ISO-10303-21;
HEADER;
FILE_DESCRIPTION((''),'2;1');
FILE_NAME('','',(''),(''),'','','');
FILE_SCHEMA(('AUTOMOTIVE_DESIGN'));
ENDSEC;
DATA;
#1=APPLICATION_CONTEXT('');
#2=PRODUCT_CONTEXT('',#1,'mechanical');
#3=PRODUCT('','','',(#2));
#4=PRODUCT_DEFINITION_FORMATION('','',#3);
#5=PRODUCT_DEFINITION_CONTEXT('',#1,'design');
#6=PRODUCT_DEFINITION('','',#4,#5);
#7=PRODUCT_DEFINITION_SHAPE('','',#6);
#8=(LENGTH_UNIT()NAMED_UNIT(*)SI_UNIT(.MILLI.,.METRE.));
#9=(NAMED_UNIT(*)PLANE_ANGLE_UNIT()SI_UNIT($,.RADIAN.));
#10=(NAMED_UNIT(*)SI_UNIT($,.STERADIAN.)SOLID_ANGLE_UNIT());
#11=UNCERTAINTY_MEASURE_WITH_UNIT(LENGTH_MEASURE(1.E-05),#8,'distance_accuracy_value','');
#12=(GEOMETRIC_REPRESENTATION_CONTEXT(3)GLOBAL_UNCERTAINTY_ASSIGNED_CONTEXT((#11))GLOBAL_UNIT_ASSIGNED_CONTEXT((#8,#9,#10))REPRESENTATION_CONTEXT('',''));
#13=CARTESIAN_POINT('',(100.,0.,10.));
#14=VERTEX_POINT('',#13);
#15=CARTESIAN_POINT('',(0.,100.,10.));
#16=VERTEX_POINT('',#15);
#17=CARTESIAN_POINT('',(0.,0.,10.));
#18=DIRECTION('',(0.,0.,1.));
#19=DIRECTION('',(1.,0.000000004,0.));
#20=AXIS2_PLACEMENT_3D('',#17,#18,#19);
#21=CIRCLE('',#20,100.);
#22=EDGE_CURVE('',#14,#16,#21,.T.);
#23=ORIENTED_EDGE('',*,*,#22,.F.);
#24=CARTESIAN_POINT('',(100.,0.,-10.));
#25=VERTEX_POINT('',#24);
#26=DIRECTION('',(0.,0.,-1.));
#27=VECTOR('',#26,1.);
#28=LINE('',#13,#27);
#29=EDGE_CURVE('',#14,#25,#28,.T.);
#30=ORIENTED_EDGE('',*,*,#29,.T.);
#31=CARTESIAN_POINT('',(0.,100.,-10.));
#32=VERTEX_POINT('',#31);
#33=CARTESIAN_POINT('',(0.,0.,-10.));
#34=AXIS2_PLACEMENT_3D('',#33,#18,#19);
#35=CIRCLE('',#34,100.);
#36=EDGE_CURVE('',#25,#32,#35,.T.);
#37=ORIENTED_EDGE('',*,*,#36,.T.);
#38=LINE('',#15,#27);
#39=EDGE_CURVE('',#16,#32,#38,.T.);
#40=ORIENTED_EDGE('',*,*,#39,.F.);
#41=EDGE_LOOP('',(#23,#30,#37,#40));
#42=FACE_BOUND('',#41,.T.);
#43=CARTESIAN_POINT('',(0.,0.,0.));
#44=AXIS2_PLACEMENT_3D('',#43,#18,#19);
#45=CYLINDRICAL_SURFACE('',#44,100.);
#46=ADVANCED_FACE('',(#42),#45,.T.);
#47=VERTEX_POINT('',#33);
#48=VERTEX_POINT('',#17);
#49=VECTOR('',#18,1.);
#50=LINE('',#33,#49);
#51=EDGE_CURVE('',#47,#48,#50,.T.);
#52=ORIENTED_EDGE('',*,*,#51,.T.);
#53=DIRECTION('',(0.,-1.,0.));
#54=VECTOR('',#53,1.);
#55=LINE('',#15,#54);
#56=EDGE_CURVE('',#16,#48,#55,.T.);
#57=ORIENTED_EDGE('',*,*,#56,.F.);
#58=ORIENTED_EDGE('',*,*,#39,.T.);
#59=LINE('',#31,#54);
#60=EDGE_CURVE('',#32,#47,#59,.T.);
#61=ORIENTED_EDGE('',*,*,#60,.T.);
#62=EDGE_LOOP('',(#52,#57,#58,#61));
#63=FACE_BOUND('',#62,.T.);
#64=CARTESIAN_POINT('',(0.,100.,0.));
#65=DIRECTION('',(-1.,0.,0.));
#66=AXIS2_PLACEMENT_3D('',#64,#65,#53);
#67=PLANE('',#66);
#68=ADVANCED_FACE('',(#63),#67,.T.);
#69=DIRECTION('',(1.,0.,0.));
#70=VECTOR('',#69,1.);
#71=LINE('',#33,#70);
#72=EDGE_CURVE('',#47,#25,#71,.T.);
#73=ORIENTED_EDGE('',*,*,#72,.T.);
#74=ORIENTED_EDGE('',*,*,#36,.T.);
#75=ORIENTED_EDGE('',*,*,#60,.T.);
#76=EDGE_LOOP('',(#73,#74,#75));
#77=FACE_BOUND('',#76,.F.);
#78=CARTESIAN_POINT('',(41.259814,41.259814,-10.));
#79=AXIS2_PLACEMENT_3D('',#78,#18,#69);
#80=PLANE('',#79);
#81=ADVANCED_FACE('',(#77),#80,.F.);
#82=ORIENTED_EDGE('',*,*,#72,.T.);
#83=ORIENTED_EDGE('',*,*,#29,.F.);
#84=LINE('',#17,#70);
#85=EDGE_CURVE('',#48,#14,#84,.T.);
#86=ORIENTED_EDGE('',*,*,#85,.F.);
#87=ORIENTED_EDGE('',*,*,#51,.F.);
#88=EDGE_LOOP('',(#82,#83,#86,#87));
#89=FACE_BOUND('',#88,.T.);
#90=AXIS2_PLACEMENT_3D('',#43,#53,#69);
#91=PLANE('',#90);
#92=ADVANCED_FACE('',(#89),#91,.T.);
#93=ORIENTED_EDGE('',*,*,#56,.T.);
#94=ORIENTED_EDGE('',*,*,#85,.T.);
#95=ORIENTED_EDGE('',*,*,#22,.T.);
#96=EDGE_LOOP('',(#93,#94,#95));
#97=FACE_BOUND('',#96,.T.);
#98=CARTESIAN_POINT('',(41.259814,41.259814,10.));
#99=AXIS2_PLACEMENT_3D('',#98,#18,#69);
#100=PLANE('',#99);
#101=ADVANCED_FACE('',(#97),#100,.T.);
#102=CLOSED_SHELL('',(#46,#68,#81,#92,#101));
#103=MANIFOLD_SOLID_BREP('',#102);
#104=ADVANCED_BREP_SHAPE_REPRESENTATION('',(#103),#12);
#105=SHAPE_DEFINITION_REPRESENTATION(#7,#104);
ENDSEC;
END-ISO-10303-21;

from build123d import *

# Parameters (mm, degrees)
F1_DEPTH = 10


with BuildPart() as f1:
    # F0 (on Top) → F1 (new body, symmetric)
    with BuildSketch(Plane.XY):
        with BuildLine():
            Line((0, 100), (0, 0))
            Line((0, 0), (100, 0))
            ThreePointArc((100, 0), (70.710678, 70.710678), (0, 100))
        make_face()
    extrude(amount=F1_DEPTH, both=True)


solid = f1.part
